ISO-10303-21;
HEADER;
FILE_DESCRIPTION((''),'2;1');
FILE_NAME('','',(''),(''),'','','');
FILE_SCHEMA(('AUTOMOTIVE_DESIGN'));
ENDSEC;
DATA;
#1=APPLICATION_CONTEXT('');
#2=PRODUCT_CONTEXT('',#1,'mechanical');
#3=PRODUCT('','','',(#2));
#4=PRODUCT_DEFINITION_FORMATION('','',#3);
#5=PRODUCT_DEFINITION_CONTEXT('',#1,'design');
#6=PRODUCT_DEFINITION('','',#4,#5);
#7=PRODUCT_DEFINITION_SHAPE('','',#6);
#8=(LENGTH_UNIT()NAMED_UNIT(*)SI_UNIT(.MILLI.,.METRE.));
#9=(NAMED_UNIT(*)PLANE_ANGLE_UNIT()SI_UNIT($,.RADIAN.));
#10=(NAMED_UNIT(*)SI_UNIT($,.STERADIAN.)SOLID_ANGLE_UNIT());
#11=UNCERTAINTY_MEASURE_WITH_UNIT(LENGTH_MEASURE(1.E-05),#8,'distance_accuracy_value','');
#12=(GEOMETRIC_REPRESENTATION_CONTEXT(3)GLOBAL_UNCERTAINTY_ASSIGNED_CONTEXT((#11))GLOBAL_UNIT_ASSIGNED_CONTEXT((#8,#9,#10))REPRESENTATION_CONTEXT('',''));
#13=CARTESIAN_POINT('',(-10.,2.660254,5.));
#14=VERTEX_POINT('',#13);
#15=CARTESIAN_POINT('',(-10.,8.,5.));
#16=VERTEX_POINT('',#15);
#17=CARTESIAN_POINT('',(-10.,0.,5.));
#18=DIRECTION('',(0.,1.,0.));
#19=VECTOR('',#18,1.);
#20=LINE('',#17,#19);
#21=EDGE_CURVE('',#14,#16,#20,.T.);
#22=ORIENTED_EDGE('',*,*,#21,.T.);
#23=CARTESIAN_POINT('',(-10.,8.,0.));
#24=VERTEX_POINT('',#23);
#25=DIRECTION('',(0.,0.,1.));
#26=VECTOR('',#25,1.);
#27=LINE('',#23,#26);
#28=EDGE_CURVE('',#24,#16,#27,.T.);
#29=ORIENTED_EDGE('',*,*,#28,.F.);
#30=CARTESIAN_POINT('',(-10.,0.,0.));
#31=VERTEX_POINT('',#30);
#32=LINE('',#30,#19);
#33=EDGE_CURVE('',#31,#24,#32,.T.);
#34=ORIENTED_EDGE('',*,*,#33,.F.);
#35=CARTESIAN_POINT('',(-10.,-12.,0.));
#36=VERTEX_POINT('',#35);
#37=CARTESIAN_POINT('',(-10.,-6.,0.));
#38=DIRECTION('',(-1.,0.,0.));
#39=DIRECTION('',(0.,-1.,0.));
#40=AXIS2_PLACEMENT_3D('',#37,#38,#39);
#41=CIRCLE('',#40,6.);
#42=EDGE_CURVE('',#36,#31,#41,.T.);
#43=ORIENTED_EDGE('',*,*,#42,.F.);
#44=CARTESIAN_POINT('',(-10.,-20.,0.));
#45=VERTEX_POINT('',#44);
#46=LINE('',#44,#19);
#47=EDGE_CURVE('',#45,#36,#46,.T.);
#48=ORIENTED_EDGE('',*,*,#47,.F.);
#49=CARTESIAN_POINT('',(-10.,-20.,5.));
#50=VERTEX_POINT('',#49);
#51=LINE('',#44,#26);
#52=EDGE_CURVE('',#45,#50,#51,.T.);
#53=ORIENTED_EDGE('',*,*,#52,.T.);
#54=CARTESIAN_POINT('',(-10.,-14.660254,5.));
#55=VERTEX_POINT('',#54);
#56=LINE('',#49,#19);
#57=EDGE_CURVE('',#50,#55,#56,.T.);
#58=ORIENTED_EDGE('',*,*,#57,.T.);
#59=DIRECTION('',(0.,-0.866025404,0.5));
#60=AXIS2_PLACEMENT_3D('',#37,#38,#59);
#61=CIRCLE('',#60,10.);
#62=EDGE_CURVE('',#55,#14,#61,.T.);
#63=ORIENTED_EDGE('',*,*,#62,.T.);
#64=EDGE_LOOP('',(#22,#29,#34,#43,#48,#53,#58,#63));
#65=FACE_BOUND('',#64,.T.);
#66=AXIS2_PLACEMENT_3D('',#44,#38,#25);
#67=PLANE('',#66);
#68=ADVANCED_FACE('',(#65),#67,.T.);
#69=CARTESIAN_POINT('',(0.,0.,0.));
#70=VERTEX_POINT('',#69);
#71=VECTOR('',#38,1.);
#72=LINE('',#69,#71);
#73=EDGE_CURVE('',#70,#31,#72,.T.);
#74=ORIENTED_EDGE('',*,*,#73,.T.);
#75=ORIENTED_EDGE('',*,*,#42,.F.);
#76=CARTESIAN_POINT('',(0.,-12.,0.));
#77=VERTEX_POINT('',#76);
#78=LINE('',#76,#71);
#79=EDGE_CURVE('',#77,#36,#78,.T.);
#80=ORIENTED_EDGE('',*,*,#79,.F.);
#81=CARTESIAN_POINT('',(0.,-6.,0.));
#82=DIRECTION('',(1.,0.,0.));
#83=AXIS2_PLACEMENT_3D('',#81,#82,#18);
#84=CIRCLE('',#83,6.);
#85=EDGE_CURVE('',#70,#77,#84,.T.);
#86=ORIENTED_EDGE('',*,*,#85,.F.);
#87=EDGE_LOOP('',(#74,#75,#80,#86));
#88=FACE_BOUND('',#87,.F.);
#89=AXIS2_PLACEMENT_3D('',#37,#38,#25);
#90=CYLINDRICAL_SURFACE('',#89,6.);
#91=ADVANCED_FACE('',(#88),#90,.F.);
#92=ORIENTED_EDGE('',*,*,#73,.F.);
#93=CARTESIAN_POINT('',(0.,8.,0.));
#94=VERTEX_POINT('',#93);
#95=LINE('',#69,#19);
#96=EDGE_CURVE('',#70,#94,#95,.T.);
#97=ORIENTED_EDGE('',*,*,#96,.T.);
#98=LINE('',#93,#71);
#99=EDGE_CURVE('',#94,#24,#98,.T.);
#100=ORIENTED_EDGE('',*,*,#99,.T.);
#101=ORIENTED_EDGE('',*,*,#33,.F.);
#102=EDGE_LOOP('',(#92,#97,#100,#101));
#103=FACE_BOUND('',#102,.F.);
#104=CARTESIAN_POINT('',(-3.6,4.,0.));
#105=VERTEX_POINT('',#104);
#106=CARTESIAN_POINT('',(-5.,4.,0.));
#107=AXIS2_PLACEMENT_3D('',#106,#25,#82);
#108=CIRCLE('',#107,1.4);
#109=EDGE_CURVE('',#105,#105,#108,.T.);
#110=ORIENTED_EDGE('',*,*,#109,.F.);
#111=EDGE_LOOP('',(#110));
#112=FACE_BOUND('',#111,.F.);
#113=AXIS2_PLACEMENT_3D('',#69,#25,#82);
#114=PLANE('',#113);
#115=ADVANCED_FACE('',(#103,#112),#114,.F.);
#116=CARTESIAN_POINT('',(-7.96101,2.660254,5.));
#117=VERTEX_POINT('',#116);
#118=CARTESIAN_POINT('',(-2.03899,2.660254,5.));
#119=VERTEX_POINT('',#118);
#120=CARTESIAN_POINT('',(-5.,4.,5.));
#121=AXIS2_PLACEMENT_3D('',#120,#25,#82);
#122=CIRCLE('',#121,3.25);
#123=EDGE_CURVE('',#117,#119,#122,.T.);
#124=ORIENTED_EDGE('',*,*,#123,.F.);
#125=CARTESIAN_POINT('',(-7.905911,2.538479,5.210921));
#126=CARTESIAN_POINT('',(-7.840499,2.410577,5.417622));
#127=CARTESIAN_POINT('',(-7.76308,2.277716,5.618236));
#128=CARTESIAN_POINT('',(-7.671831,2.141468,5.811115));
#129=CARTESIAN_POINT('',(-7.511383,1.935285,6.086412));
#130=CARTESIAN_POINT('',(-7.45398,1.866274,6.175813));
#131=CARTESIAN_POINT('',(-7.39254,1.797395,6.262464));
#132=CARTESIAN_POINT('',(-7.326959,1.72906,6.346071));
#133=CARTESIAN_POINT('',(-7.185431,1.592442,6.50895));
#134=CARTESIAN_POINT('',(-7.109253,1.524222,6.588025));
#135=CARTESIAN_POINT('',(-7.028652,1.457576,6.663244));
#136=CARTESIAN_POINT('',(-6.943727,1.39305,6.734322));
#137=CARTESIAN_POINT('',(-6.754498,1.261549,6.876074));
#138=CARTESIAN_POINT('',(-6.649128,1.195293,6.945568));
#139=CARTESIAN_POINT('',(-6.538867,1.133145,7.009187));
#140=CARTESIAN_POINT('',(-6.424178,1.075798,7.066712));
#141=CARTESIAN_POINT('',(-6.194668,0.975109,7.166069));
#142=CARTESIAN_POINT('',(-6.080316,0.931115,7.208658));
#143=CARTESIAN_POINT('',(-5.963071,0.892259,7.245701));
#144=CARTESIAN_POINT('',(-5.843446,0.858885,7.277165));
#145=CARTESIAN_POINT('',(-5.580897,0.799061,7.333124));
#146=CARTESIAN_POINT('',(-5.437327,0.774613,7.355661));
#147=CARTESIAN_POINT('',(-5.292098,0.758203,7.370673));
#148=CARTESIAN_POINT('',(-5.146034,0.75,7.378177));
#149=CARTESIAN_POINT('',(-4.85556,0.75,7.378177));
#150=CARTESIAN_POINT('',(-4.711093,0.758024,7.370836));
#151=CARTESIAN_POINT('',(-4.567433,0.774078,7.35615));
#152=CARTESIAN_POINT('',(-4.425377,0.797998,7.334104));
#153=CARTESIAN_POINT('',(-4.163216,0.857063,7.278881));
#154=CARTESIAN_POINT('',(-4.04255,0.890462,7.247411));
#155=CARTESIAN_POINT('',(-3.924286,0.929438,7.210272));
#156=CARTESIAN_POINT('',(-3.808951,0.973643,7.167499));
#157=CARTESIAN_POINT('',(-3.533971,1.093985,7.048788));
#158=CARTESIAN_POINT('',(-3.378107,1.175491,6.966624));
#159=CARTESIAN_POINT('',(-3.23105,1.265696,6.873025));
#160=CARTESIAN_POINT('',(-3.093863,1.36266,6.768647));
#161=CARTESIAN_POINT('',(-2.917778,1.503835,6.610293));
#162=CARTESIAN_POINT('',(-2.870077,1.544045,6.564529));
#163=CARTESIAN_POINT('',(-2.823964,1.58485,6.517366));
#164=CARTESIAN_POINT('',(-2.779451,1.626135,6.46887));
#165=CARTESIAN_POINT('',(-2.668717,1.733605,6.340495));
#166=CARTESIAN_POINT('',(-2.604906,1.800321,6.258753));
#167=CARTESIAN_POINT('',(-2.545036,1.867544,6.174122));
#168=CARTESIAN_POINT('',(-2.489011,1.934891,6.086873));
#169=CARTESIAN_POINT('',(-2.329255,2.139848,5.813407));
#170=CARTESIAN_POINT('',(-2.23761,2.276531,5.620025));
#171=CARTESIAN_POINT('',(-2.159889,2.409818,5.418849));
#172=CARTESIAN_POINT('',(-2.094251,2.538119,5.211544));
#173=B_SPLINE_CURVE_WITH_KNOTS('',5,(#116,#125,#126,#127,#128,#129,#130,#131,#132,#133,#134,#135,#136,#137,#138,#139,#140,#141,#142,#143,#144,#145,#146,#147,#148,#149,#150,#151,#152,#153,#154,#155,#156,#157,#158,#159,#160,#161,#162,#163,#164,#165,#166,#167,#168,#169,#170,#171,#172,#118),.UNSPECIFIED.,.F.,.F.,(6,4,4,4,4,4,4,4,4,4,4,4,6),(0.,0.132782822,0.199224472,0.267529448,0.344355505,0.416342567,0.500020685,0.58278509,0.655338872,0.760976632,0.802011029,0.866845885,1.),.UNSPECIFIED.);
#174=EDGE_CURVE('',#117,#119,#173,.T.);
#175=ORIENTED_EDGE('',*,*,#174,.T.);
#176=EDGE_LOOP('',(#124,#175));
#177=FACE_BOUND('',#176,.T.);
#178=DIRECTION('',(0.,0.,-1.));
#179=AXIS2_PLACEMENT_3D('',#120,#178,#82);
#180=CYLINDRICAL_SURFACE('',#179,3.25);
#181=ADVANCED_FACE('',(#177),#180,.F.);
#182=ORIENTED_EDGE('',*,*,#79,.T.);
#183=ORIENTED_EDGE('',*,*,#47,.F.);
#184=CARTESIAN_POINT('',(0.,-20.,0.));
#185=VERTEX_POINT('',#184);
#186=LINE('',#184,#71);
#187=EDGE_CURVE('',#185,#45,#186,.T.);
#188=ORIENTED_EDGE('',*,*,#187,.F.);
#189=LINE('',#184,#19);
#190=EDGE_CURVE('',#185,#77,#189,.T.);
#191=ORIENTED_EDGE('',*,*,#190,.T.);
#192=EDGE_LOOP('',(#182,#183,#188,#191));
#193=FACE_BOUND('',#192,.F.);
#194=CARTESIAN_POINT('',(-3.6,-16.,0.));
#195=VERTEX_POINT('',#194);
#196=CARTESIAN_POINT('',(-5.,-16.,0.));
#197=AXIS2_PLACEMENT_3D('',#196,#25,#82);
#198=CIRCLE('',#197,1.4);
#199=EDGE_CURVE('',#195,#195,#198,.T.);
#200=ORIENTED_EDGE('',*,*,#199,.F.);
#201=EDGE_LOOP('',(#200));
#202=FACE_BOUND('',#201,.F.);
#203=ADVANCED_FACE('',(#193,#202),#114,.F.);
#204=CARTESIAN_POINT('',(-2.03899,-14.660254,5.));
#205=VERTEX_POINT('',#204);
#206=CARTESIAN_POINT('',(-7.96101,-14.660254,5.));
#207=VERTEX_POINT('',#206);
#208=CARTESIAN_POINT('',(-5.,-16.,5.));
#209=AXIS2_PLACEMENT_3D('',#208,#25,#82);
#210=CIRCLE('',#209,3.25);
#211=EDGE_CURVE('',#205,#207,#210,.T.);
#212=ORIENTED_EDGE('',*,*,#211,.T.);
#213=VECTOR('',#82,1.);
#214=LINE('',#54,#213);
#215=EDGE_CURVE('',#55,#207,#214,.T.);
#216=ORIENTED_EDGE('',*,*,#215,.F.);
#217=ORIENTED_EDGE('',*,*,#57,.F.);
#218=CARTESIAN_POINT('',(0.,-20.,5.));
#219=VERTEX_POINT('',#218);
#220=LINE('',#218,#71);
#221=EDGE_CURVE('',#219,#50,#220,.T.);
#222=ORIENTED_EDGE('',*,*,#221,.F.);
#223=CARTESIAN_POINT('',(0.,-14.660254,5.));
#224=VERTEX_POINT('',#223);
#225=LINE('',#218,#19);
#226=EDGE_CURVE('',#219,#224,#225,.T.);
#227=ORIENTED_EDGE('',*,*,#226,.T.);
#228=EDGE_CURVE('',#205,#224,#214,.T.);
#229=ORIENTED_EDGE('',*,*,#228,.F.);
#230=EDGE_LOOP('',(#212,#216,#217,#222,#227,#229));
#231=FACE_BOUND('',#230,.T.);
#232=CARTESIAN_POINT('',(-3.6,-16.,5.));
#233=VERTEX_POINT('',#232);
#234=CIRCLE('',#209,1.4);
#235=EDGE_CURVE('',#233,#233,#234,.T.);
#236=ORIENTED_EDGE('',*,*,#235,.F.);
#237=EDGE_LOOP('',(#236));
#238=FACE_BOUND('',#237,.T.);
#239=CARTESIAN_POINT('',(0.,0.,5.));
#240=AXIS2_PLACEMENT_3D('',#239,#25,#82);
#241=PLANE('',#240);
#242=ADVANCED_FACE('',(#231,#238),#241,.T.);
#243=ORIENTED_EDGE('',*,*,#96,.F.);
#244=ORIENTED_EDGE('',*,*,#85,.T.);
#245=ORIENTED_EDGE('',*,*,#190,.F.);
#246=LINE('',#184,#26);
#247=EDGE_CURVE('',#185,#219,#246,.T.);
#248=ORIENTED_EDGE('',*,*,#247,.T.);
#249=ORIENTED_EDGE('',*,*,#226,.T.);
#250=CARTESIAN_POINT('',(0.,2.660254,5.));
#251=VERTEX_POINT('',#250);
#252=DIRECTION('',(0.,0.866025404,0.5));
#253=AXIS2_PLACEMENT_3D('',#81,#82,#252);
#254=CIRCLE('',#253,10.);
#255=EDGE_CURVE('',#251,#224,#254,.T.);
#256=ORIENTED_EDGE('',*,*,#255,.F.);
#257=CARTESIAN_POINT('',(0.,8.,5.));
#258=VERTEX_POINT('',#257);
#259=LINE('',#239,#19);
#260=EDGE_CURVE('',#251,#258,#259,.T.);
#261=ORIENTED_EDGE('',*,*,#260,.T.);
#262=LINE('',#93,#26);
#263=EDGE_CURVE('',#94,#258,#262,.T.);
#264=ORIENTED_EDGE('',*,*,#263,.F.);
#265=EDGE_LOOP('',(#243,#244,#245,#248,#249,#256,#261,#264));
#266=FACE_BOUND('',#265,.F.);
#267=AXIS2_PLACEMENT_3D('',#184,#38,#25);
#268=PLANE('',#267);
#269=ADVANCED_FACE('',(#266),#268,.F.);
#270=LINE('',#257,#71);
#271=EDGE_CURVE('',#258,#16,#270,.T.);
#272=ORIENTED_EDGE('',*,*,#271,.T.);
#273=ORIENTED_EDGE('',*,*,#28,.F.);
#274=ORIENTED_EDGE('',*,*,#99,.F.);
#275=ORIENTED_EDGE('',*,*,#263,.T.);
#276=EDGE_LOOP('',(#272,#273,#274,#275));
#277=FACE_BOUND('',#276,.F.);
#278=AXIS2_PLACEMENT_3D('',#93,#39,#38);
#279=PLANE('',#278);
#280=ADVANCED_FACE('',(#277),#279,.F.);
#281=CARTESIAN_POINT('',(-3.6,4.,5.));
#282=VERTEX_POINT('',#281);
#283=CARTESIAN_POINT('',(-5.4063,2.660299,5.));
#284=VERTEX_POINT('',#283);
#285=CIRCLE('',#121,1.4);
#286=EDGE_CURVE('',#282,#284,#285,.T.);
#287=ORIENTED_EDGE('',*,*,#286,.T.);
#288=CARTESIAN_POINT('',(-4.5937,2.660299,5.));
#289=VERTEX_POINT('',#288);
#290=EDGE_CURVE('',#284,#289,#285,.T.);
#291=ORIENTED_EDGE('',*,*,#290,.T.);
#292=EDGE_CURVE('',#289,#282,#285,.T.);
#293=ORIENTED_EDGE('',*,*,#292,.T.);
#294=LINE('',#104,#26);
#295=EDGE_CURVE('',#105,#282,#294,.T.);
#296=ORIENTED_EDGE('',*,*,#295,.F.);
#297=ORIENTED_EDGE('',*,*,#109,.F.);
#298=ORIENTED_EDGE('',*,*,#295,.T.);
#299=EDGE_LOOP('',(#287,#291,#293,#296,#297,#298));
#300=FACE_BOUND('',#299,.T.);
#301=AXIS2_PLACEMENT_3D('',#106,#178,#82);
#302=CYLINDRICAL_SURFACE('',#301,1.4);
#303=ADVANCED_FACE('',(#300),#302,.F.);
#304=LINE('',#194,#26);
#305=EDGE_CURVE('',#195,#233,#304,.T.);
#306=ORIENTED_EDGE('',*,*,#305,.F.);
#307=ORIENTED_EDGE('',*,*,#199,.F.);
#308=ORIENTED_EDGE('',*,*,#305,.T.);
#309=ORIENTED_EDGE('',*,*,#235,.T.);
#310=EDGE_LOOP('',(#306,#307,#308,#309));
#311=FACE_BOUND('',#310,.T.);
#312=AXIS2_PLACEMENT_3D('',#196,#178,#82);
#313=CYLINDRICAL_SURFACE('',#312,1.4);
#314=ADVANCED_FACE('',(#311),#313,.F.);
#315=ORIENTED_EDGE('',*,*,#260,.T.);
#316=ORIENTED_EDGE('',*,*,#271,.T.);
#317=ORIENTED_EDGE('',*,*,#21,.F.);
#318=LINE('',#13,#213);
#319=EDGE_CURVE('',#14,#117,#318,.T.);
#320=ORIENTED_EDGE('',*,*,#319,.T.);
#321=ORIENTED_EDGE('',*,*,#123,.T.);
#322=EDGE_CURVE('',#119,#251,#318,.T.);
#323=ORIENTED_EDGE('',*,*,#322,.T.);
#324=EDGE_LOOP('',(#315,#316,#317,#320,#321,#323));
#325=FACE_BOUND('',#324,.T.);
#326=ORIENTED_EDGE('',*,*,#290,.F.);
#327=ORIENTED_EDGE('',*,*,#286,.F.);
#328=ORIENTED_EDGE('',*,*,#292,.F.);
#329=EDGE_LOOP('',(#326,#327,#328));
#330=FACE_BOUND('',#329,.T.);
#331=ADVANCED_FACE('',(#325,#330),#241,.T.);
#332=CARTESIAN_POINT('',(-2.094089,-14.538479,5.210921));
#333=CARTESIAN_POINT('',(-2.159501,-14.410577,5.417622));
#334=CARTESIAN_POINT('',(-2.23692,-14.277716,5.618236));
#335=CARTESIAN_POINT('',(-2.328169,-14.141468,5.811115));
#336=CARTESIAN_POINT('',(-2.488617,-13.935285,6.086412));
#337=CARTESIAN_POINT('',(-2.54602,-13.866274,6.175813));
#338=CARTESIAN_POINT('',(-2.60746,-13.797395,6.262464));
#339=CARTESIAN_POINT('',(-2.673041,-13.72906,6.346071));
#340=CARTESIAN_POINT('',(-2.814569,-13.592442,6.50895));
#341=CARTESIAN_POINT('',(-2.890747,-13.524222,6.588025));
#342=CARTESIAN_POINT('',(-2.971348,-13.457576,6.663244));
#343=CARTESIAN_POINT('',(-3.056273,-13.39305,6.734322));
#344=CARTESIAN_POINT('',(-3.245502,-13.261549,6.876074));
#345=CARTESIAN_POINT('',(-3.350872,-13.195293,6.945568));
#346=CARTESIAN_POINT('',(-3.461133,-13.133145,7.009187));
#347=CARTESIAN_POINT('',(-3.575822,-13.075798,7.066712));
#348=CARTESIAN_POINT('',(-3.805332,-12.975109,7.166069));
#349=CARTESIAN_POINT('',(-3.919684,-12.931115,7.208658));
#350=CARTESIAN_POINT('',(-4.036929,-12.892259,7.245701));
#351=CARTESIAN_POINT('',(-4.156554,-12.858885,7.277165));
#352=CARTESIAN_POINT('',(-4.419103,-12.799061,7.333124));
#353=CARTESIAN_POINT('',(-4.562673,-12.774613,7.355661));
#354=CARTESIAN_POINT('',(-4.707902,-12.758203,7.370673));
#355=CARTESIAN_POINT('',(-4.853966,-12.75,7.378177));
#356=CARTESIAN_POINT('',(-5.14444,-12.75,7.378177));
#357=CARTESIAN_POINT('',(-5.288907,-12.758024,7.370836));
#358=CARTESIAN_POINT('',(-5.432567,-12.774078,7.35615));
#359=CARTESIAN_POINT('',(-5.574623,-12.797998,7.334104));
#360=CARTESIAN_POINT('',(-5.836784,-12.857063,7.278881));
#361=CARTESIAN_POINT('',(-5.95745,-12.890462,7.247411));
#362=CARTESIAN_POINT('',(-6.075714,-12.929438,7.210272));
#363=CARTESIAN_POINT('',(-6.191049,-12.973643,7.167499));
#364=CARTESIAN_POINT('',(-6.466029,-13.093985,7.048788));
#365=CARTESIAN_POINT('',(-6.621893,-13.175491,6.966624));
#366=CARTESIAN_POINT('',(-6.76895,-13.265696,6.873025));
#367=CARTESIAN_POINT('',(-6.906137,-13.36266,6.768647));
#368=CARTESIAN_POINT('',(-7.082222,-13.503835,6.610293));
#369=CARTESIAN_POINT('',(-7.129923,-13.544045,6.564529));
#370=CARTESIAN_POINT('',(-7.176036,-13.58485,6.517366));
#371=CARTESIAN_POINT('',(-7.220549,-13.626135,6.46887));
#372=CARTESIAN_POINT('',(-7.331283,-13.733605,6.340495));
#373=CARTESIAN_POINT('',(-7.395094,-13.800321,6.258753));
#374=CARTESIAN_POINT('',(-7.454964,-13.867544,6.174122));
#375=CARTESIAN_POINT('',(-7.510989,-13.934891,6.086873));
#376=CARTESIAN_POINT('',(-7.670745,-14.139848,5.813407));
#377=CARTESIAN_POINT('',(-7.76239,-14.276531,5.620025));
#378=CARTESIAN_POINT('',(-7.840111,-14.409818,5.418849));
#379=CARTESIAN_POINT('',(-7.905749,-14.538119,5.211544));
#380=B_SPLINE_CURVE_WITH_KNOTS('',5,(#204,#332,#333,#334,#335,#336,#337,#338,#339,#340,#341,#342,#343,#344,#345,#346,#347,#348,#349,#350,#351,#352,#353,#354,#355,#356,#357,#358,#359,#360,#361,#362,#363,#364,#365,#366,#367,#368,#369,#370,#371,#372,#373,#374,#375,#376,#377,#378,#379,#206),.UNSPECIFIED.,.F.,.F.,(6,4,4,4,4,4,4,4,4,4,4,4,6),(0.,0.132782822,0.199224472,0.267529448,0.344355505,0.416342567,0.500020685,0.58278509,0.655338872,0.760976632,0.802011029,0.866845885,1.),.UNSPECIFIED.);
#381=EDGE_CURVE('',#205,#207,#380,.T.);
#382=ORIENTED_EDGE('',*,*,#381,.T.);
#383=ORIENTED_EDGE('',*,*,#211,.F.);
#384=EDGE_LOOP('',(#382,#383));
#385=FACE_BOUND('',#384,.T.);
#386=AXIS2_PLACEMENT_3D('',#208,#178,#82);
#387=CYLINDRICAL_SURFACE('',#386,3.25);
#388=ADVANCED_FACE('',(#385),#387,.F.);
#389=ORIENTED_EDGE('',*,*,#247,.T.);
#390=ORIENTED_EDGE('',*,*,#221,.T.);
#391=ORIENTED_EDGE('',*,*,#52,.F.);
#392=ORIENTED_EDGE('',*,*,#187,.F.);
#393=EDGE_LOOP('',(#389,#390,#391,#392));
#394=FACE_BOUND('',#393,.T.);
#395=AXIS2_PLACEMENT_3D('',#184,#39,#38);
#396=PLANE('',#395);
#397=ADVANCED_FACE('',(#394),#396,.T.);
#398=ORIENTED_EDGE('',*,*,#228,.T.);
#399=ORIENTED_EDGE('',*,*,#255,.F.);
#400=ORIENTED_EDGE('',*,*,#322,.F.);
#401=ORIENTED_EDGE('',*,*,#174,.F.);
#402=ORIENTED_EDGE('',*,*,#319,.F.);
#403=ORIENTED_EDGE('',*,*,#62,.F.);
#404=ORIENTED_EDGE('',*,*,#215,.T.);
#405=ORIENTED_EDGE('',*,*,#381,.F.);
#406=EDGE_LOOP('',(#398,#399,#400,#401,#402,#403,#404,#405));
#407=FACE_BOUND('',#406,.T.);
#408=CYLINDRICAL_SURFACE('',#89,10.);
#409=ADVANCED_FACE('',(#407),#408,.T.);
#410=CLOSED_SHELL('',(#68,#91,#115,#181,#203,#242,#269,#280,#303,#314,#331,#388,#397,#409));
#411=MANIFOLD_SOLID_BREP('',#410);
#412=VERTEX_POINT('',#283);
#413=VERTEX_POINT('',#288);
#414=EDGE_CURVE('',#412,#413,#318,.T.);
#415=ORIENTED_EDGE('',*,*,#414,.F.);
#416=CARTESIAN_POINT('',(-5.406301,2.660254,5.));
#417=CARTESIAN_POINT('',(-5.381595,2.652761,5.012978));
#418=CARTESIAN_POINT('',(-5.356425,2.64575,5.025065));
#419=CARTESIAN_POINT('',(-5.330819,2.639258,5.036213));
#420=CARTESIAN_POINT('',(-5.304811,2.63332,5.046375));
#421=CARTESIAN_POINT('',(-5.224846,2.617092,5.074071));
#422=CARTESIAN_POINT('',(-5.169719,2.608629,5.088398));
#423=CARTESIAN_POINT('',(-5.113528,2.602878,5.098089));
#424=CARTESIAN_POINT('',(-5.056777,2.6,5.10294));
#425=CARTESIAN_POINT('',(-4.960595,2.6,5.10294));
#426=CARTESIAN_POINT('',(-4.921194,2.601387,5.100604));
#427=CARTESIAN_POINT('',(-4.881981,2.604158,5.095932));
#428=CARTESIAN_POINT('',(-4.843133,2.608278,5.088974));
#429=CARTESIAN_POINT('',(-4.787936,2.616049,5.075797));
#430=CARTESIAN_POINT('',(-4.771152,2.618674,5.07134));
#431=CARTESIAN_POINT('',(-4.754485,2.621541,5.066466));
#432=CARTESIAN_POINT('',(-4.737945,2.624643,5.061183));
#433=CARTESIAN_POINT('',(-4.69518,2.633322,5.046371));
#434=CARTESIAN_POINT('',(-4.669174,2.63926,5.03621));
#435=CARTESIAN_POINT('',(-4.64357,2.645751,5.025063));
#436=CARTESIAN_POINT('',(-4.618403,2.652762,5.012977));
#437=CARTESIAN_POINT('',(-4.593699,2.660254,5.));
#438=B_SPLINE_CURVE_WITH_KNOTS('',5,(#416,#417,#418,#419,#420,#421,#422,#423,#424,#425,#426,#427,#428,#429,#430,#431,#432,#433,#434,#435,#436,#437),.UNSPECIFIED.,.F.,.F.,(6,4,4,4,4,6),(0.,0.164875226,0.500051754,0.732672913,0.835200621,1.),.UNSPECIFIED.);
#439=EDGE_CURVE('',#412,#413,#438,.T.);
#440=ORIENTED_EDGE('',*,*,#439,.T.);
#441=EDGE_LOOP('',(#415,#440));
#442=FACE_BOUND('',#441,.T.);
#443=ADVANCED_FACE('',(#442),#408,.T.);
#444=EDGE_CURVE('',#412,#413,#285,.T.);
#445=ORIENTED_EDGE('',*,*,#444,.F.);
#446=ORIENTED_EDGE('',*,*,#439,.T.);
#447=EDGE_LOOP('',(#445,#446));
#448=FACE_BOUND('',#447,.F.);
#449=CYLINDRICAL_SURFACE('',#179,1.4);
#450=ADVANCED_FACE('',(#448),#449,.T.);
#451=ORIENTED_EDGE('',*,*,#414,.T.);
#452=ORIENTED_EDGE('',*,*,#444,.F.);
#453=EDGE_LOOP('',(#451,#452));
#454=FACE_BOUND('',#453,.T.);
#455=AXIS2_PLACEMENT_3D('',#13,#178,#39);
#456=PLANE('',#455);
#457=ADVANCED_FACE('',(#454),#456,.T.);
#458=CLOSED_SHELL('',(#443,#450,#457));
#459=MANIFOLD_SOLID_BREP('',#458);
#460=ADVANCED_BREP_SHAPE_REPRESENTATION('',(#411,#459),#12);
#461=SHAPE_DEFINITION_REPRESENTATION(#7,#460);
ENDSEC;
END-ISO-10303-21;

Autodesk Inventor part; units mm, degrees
ref_plane "YZ Plane" through (0, 0, 0) normal (1, 0, 0) x (0, 1, 0)
ref_plane "XZ Plane" through (0, 0, 0) normal (0, 1, 0) x (-1, 0, 0)
ref_plane "XY Plane" through (0, 0, 0) normal (0, 0, 1) x (1, 0, 0)
sketch "Sketch1" plane through (0, 0, 0) normal (0, 0, 1) x (1, 0, 0)
  circle A0 centre (-5, -16) radius 1.4 projected
  line L0 (0, -20) -> (0, -12) projected
  line L1 (0, -12) -> (-10, -12) projected
  line L2 (-10, -20) -> (-10, -12) projected
  line L3 (0, -20) -> (-10, -20) projected
  circle A1 centre (-5, 4) radius 1.4 projected
  line L4 (0, 0) -> (0, 8) projected
  line L5 (0, 8) -> (-10, 8) projected
  line L6 (-10, 0) -> (-10, 8) projected
  line L7 (0, 0) -> (-10, 0) projected
extrude "Extrusion1" add sketch "Sketch1" along normal blind 5
sketch "Sketch2" plane through (-10, -20, 0) normal (-1, 0, 0) x (0, 0, 1)
  line L0 (0, 8) -> (0, 0) projected
  line L1 (0, 0) -> (5, 0) projected
  line L2 (5, 8) -> (5, 0) projected
  line L3 (0, 8) -> (5, 8) projected
  line L4 (0, 28) -> (0, 20) projected
  line L5 (0, 20) -> (5, 20) projected
  line L6 (5, 28) -> (5, 20) projected
  line L7 (0, 28) -> (5, 28) projected
  circle A0 centre (0, 14) radius 6 projected
  circle A1 centre (0, 14) radius 10
  point P0 (5, 22.6603)
  point P1 (5, 5.3397)
  dimension "d2" = 4
extrude "Extrusion2" add sketch "Sketch2" against normal up to surface (10 mm away) contours A0 L5 L6 A1 L2 L3
sketch "Sketch3" plane through (0, 0, 5) normal (0, 0, 1) x (1, 0, 0)
  line L0 (-5.4063, -14.6603) -> (-10, -14.6603) projected
  line L1 (-10, -14.6603) -> (-10, -20) projected
  line L2 (-10, -20) -> (0, -20) projected
  line L3 (0, -20) -> (0, -14.6603) projected
  line L4 (0, -14.6603) -> (-4.5937, -14.6603) projected
  arc A0 (-5.4063, -14.6603) -> (-4.5937, -14.6603) centre (-5, -16) ccw projected
  line L5 (-10, 2.6603) -> (-5.4063, 2.6603) projected
  arc A1 (-4.5937, 2.6603) -> (-5.4063, 2.6603) centre (-5, 4) ccw projected
  line L6 (-4.5937, 2.6603) -> (0, 2.6603) projected
  line L7 (0, 2.6603) -> (0, 8) projected
  line L8 (0, 8) -> (-10, 8) projected
  line L9 (-10, 8) -> (-10, 2.6603) projected
  circle A2 centre (-5, -16) radius 3.25
  circle A3 centre (-5, 4) radius 1.4 projected
  circle A4 centre (-5, 4) radius 3.25
  point P0 (0, 0)
  point P1 (-7.961, 2.6603)
  point P2 (-2.039, 2.6603)
  point P3 (-2.039, -14.6603)
  point P4 (-7.961, -14.6603)
  dimension "d5" = 6.5
extrude "Extrusion3" cut sketch "Sketch3" along normal blind 10 contours L0 A2 L4 A0 | L5 A3 L6 A4 picked at (-4.8549, -16.4084)
properties part number "Z Axis Top Brace Clamp" material "ABS Plastic"
